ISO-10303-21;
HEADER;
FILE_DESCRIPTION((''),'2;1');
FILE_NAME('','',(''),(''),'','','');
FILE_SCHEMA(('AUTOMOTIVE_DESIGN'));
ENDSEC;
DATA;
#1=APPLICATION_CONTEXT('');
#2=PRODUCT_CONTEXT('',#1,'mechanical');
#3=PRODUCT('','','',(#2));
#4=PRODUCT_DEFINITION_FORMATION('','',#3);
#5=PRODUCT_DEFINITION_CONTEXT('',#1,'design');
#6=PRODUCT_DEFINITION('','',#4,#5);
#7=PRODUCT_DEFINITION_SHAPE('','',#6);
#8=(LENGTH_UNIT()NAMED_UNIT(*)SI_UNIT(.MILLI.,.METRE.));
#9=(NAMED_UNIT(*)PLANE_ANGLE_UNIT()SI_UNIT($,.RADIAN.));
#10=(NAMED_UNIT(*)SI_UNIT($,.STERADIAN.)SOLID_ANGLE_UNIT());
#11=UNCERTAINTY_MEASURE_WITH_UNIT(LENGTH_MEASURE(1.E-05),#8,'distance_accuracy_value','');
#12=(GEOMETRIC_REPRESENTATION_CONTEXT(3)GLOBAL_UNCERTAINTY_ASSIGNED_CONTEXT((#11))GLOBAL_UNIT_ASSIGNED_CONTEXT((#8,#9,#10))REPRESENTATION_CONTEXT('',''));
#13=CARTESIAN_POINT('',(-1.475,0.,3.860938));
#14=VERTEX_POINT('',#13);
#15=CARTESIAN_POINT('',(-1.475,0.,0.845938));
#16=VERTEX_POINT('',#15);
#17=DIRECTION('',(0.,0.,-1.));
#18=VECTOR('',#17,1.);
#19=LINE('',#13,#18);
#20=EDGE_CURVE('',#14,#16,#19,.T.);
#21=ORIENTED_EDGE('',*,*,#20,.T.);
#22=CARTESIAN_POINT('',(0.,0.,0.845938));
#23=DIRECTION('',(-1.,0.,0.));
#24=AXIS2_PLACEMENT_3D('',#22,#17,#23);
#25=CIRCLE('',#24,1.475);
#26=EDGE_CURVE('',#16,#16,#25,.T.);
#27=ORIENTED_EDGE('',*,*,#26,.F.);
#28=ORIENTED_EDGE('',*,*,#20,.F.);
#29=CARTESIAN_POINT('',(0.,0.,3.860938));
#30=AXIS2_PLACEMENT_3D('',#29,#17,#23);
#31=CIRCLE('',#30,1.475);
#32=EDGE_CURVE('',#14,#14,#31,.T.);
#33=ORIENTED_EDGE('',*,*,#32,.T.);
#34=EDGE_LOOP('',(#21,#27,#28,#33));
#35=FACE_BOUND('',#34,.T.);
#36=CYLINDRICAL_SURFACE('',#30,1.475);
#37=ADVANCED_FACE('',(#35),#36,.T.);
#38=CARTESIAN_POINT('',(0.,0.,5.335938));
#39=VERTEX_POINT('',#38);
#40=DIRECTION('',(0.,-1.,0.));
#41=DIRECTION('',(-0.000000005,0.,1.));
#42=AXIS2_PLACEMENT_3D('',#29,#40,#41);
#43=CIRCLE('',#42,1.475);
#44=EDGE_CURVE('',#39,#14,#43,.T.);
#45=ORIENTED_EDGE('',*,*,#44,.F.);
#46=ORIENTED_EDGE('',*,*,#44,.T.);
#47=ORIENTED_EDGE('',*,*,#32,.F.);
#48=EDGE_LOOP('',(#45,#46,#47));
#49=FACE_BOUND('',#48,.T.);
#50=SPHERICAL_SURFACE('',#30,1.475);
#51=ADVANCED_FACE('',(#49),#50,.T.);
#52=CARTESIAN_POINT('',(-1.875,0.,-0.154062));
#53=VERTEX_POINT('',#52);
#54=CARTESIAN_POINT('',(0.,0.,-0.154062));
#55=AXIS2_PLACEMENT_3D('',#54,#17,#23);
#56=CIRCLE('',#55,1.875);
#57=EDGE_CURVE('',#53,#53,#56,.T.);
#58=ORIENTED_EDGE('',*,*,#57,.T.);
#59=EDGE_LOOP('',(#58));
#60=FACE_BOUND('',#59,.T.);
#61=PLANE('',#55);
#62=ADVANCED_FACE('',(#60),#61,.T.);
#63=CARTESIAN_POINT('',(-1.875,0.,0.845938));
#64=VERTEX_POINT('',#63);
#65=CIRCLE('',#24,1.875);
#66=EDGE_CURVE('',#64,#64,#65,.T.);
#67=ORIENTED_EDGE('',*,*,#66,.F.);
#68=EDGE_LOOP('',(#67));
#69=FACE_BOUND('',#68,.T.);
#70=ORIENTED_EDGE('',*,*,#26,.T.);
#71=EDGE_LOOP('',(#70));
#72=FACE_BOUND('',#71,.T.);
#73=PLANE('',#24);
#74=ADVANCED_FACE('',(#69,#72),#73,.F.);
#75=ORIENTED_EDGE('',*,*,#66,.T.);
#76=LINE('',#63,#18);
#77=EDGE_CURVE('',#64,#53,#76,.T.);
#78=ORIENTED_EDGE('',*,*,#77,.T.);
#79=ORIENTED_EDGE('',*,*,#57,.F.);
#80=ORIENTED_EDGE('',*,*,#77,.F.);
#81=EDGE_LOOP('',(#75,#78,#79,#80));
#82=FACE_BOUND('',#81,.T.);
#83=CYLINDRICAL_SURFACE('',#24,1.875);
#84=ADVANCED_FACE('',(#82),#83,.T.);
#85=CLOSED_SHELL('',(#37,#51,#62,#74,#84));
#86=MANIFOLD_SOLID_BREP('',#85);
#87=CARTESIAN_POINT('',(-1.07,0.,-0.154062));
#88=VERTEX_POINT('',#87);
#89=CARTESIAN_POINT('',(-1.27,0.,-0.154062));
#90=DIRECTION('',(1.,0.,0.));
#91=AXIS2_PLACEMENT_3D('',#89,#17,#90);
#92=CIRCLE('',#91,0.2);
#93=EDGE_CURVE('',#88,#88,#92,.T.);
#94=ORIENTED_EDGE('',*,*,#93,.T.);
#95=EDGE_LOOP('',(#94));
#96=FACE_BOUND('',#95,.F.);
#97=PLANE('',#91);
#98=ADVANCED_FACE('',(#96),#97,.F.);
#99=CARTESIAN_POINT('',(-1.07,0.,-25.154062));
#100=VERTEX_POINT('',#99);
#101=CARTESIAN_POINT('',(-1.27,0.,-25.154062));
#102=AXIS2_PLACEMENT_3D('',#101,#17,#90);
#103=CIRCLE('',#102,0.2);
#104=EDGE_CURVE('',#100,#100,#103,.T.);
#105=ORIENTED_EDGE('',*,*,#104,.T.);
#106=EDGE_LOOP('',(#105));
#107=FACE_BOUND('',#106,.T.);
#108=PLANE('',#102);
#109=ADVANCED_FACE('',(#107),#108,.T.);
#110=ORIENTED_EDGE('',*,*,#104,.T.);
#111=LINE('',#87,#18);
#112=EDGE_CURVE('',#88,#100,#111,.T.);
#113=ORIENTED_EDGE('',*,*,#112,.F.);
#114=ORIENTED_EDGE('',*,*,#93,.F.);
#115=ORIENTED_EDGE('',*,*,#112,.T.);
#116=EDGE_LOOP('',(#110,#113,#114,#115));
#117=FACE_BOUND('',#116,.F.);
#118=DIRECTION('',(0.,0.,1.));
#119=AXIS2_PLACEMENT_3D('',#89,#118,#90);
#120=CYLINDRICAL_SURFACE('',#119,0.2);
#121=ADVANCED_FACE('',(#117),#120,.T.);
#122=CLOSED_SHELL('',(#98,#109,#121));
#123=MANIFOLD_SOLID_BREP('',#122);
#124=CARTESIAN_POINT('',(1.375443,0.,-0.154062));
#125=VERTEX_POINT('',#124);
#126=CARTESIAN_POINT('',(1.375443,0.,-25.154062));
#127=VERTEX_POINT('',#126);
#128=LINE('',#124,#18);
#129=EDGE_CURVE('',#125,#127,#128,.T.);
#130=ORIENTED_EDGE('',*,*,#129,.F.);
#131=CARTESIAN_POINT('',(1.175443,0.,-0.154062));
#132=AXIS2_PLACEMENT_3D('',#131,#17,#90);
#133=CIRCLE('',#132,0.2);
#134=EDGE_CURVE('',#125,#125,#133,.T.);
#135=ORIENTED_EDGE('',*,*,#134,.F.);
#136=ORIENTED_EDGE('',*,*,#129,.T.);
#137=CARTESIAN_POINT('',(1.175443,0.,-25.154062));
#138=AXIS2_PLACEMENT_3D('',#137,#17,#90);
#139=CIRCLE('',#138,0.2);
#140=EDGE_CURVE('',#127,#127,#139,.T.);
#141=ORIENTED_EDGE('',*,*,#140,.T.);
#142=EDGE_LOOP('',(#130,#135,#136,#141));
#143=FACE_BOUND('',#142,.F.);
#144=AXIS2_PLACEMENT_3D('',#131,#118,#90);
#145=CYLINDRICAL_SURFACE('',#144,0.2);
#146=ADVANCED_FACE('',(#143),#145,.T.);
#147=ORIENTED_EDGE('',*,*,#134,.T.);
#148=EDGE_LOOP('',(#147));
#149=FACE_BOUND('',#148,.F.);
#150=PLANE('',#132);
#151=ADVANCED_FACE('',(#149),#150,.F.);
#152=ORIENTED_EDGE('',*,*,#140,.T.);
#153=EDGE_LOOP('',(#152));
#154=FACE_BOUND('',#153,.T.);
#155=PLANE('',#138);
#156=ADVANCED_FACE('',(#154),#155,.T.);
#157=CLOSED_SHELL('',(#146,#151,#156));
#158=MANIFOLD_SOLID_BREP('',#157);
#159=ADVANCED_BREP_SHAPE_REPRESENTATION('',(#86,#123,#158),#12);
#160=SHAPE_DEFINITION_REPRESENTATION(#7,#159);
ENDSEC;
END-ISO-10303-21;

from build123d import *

# Parameters (mm, degrees)
F2_R     = 0.2
F3_DEPTH = 25


with BuildPart() as f1:
    # F0 (on Front) → F1 (revolve)
    with BuildSketch(Plane.XZ):
        with BuildLine():
            Line((0, -0.154062), (0, 5.335938))
            ThreePointArc((0, 5.335938), (-1.042983, 4.90392), (-1.475, 3.860938))
            Line((-1.475, 3.860938), (-1.475, 0.845938))
            Line((-1.475, 0.845938), (-1.875, 0.845938))
            Line((-1.875, 0.845938), (-1.875, -0.154062))
            Line((-1.875, -0.154062), (0, -0.154062))
        make_face()
    revolve(axis=Axis((0, 0, 2.590938), (0, 0, -1)))


with BuildPart() as f3:
    # F2 (on face) → F3 (new body)
    with BuildSketch(Plane(origin=(0, 0, -0.154062), x_dir=(1, 0, 0), z_dir=(0, 0, -1))):
        with Locations((-1.27, 0)):
            Circle(F2_R)
        with Locations((1.175443, 0)):
            Circle(F2_R)
    extrude(amount=F3_DEPTH)


solid = Compound([f1.part, f3.part])
